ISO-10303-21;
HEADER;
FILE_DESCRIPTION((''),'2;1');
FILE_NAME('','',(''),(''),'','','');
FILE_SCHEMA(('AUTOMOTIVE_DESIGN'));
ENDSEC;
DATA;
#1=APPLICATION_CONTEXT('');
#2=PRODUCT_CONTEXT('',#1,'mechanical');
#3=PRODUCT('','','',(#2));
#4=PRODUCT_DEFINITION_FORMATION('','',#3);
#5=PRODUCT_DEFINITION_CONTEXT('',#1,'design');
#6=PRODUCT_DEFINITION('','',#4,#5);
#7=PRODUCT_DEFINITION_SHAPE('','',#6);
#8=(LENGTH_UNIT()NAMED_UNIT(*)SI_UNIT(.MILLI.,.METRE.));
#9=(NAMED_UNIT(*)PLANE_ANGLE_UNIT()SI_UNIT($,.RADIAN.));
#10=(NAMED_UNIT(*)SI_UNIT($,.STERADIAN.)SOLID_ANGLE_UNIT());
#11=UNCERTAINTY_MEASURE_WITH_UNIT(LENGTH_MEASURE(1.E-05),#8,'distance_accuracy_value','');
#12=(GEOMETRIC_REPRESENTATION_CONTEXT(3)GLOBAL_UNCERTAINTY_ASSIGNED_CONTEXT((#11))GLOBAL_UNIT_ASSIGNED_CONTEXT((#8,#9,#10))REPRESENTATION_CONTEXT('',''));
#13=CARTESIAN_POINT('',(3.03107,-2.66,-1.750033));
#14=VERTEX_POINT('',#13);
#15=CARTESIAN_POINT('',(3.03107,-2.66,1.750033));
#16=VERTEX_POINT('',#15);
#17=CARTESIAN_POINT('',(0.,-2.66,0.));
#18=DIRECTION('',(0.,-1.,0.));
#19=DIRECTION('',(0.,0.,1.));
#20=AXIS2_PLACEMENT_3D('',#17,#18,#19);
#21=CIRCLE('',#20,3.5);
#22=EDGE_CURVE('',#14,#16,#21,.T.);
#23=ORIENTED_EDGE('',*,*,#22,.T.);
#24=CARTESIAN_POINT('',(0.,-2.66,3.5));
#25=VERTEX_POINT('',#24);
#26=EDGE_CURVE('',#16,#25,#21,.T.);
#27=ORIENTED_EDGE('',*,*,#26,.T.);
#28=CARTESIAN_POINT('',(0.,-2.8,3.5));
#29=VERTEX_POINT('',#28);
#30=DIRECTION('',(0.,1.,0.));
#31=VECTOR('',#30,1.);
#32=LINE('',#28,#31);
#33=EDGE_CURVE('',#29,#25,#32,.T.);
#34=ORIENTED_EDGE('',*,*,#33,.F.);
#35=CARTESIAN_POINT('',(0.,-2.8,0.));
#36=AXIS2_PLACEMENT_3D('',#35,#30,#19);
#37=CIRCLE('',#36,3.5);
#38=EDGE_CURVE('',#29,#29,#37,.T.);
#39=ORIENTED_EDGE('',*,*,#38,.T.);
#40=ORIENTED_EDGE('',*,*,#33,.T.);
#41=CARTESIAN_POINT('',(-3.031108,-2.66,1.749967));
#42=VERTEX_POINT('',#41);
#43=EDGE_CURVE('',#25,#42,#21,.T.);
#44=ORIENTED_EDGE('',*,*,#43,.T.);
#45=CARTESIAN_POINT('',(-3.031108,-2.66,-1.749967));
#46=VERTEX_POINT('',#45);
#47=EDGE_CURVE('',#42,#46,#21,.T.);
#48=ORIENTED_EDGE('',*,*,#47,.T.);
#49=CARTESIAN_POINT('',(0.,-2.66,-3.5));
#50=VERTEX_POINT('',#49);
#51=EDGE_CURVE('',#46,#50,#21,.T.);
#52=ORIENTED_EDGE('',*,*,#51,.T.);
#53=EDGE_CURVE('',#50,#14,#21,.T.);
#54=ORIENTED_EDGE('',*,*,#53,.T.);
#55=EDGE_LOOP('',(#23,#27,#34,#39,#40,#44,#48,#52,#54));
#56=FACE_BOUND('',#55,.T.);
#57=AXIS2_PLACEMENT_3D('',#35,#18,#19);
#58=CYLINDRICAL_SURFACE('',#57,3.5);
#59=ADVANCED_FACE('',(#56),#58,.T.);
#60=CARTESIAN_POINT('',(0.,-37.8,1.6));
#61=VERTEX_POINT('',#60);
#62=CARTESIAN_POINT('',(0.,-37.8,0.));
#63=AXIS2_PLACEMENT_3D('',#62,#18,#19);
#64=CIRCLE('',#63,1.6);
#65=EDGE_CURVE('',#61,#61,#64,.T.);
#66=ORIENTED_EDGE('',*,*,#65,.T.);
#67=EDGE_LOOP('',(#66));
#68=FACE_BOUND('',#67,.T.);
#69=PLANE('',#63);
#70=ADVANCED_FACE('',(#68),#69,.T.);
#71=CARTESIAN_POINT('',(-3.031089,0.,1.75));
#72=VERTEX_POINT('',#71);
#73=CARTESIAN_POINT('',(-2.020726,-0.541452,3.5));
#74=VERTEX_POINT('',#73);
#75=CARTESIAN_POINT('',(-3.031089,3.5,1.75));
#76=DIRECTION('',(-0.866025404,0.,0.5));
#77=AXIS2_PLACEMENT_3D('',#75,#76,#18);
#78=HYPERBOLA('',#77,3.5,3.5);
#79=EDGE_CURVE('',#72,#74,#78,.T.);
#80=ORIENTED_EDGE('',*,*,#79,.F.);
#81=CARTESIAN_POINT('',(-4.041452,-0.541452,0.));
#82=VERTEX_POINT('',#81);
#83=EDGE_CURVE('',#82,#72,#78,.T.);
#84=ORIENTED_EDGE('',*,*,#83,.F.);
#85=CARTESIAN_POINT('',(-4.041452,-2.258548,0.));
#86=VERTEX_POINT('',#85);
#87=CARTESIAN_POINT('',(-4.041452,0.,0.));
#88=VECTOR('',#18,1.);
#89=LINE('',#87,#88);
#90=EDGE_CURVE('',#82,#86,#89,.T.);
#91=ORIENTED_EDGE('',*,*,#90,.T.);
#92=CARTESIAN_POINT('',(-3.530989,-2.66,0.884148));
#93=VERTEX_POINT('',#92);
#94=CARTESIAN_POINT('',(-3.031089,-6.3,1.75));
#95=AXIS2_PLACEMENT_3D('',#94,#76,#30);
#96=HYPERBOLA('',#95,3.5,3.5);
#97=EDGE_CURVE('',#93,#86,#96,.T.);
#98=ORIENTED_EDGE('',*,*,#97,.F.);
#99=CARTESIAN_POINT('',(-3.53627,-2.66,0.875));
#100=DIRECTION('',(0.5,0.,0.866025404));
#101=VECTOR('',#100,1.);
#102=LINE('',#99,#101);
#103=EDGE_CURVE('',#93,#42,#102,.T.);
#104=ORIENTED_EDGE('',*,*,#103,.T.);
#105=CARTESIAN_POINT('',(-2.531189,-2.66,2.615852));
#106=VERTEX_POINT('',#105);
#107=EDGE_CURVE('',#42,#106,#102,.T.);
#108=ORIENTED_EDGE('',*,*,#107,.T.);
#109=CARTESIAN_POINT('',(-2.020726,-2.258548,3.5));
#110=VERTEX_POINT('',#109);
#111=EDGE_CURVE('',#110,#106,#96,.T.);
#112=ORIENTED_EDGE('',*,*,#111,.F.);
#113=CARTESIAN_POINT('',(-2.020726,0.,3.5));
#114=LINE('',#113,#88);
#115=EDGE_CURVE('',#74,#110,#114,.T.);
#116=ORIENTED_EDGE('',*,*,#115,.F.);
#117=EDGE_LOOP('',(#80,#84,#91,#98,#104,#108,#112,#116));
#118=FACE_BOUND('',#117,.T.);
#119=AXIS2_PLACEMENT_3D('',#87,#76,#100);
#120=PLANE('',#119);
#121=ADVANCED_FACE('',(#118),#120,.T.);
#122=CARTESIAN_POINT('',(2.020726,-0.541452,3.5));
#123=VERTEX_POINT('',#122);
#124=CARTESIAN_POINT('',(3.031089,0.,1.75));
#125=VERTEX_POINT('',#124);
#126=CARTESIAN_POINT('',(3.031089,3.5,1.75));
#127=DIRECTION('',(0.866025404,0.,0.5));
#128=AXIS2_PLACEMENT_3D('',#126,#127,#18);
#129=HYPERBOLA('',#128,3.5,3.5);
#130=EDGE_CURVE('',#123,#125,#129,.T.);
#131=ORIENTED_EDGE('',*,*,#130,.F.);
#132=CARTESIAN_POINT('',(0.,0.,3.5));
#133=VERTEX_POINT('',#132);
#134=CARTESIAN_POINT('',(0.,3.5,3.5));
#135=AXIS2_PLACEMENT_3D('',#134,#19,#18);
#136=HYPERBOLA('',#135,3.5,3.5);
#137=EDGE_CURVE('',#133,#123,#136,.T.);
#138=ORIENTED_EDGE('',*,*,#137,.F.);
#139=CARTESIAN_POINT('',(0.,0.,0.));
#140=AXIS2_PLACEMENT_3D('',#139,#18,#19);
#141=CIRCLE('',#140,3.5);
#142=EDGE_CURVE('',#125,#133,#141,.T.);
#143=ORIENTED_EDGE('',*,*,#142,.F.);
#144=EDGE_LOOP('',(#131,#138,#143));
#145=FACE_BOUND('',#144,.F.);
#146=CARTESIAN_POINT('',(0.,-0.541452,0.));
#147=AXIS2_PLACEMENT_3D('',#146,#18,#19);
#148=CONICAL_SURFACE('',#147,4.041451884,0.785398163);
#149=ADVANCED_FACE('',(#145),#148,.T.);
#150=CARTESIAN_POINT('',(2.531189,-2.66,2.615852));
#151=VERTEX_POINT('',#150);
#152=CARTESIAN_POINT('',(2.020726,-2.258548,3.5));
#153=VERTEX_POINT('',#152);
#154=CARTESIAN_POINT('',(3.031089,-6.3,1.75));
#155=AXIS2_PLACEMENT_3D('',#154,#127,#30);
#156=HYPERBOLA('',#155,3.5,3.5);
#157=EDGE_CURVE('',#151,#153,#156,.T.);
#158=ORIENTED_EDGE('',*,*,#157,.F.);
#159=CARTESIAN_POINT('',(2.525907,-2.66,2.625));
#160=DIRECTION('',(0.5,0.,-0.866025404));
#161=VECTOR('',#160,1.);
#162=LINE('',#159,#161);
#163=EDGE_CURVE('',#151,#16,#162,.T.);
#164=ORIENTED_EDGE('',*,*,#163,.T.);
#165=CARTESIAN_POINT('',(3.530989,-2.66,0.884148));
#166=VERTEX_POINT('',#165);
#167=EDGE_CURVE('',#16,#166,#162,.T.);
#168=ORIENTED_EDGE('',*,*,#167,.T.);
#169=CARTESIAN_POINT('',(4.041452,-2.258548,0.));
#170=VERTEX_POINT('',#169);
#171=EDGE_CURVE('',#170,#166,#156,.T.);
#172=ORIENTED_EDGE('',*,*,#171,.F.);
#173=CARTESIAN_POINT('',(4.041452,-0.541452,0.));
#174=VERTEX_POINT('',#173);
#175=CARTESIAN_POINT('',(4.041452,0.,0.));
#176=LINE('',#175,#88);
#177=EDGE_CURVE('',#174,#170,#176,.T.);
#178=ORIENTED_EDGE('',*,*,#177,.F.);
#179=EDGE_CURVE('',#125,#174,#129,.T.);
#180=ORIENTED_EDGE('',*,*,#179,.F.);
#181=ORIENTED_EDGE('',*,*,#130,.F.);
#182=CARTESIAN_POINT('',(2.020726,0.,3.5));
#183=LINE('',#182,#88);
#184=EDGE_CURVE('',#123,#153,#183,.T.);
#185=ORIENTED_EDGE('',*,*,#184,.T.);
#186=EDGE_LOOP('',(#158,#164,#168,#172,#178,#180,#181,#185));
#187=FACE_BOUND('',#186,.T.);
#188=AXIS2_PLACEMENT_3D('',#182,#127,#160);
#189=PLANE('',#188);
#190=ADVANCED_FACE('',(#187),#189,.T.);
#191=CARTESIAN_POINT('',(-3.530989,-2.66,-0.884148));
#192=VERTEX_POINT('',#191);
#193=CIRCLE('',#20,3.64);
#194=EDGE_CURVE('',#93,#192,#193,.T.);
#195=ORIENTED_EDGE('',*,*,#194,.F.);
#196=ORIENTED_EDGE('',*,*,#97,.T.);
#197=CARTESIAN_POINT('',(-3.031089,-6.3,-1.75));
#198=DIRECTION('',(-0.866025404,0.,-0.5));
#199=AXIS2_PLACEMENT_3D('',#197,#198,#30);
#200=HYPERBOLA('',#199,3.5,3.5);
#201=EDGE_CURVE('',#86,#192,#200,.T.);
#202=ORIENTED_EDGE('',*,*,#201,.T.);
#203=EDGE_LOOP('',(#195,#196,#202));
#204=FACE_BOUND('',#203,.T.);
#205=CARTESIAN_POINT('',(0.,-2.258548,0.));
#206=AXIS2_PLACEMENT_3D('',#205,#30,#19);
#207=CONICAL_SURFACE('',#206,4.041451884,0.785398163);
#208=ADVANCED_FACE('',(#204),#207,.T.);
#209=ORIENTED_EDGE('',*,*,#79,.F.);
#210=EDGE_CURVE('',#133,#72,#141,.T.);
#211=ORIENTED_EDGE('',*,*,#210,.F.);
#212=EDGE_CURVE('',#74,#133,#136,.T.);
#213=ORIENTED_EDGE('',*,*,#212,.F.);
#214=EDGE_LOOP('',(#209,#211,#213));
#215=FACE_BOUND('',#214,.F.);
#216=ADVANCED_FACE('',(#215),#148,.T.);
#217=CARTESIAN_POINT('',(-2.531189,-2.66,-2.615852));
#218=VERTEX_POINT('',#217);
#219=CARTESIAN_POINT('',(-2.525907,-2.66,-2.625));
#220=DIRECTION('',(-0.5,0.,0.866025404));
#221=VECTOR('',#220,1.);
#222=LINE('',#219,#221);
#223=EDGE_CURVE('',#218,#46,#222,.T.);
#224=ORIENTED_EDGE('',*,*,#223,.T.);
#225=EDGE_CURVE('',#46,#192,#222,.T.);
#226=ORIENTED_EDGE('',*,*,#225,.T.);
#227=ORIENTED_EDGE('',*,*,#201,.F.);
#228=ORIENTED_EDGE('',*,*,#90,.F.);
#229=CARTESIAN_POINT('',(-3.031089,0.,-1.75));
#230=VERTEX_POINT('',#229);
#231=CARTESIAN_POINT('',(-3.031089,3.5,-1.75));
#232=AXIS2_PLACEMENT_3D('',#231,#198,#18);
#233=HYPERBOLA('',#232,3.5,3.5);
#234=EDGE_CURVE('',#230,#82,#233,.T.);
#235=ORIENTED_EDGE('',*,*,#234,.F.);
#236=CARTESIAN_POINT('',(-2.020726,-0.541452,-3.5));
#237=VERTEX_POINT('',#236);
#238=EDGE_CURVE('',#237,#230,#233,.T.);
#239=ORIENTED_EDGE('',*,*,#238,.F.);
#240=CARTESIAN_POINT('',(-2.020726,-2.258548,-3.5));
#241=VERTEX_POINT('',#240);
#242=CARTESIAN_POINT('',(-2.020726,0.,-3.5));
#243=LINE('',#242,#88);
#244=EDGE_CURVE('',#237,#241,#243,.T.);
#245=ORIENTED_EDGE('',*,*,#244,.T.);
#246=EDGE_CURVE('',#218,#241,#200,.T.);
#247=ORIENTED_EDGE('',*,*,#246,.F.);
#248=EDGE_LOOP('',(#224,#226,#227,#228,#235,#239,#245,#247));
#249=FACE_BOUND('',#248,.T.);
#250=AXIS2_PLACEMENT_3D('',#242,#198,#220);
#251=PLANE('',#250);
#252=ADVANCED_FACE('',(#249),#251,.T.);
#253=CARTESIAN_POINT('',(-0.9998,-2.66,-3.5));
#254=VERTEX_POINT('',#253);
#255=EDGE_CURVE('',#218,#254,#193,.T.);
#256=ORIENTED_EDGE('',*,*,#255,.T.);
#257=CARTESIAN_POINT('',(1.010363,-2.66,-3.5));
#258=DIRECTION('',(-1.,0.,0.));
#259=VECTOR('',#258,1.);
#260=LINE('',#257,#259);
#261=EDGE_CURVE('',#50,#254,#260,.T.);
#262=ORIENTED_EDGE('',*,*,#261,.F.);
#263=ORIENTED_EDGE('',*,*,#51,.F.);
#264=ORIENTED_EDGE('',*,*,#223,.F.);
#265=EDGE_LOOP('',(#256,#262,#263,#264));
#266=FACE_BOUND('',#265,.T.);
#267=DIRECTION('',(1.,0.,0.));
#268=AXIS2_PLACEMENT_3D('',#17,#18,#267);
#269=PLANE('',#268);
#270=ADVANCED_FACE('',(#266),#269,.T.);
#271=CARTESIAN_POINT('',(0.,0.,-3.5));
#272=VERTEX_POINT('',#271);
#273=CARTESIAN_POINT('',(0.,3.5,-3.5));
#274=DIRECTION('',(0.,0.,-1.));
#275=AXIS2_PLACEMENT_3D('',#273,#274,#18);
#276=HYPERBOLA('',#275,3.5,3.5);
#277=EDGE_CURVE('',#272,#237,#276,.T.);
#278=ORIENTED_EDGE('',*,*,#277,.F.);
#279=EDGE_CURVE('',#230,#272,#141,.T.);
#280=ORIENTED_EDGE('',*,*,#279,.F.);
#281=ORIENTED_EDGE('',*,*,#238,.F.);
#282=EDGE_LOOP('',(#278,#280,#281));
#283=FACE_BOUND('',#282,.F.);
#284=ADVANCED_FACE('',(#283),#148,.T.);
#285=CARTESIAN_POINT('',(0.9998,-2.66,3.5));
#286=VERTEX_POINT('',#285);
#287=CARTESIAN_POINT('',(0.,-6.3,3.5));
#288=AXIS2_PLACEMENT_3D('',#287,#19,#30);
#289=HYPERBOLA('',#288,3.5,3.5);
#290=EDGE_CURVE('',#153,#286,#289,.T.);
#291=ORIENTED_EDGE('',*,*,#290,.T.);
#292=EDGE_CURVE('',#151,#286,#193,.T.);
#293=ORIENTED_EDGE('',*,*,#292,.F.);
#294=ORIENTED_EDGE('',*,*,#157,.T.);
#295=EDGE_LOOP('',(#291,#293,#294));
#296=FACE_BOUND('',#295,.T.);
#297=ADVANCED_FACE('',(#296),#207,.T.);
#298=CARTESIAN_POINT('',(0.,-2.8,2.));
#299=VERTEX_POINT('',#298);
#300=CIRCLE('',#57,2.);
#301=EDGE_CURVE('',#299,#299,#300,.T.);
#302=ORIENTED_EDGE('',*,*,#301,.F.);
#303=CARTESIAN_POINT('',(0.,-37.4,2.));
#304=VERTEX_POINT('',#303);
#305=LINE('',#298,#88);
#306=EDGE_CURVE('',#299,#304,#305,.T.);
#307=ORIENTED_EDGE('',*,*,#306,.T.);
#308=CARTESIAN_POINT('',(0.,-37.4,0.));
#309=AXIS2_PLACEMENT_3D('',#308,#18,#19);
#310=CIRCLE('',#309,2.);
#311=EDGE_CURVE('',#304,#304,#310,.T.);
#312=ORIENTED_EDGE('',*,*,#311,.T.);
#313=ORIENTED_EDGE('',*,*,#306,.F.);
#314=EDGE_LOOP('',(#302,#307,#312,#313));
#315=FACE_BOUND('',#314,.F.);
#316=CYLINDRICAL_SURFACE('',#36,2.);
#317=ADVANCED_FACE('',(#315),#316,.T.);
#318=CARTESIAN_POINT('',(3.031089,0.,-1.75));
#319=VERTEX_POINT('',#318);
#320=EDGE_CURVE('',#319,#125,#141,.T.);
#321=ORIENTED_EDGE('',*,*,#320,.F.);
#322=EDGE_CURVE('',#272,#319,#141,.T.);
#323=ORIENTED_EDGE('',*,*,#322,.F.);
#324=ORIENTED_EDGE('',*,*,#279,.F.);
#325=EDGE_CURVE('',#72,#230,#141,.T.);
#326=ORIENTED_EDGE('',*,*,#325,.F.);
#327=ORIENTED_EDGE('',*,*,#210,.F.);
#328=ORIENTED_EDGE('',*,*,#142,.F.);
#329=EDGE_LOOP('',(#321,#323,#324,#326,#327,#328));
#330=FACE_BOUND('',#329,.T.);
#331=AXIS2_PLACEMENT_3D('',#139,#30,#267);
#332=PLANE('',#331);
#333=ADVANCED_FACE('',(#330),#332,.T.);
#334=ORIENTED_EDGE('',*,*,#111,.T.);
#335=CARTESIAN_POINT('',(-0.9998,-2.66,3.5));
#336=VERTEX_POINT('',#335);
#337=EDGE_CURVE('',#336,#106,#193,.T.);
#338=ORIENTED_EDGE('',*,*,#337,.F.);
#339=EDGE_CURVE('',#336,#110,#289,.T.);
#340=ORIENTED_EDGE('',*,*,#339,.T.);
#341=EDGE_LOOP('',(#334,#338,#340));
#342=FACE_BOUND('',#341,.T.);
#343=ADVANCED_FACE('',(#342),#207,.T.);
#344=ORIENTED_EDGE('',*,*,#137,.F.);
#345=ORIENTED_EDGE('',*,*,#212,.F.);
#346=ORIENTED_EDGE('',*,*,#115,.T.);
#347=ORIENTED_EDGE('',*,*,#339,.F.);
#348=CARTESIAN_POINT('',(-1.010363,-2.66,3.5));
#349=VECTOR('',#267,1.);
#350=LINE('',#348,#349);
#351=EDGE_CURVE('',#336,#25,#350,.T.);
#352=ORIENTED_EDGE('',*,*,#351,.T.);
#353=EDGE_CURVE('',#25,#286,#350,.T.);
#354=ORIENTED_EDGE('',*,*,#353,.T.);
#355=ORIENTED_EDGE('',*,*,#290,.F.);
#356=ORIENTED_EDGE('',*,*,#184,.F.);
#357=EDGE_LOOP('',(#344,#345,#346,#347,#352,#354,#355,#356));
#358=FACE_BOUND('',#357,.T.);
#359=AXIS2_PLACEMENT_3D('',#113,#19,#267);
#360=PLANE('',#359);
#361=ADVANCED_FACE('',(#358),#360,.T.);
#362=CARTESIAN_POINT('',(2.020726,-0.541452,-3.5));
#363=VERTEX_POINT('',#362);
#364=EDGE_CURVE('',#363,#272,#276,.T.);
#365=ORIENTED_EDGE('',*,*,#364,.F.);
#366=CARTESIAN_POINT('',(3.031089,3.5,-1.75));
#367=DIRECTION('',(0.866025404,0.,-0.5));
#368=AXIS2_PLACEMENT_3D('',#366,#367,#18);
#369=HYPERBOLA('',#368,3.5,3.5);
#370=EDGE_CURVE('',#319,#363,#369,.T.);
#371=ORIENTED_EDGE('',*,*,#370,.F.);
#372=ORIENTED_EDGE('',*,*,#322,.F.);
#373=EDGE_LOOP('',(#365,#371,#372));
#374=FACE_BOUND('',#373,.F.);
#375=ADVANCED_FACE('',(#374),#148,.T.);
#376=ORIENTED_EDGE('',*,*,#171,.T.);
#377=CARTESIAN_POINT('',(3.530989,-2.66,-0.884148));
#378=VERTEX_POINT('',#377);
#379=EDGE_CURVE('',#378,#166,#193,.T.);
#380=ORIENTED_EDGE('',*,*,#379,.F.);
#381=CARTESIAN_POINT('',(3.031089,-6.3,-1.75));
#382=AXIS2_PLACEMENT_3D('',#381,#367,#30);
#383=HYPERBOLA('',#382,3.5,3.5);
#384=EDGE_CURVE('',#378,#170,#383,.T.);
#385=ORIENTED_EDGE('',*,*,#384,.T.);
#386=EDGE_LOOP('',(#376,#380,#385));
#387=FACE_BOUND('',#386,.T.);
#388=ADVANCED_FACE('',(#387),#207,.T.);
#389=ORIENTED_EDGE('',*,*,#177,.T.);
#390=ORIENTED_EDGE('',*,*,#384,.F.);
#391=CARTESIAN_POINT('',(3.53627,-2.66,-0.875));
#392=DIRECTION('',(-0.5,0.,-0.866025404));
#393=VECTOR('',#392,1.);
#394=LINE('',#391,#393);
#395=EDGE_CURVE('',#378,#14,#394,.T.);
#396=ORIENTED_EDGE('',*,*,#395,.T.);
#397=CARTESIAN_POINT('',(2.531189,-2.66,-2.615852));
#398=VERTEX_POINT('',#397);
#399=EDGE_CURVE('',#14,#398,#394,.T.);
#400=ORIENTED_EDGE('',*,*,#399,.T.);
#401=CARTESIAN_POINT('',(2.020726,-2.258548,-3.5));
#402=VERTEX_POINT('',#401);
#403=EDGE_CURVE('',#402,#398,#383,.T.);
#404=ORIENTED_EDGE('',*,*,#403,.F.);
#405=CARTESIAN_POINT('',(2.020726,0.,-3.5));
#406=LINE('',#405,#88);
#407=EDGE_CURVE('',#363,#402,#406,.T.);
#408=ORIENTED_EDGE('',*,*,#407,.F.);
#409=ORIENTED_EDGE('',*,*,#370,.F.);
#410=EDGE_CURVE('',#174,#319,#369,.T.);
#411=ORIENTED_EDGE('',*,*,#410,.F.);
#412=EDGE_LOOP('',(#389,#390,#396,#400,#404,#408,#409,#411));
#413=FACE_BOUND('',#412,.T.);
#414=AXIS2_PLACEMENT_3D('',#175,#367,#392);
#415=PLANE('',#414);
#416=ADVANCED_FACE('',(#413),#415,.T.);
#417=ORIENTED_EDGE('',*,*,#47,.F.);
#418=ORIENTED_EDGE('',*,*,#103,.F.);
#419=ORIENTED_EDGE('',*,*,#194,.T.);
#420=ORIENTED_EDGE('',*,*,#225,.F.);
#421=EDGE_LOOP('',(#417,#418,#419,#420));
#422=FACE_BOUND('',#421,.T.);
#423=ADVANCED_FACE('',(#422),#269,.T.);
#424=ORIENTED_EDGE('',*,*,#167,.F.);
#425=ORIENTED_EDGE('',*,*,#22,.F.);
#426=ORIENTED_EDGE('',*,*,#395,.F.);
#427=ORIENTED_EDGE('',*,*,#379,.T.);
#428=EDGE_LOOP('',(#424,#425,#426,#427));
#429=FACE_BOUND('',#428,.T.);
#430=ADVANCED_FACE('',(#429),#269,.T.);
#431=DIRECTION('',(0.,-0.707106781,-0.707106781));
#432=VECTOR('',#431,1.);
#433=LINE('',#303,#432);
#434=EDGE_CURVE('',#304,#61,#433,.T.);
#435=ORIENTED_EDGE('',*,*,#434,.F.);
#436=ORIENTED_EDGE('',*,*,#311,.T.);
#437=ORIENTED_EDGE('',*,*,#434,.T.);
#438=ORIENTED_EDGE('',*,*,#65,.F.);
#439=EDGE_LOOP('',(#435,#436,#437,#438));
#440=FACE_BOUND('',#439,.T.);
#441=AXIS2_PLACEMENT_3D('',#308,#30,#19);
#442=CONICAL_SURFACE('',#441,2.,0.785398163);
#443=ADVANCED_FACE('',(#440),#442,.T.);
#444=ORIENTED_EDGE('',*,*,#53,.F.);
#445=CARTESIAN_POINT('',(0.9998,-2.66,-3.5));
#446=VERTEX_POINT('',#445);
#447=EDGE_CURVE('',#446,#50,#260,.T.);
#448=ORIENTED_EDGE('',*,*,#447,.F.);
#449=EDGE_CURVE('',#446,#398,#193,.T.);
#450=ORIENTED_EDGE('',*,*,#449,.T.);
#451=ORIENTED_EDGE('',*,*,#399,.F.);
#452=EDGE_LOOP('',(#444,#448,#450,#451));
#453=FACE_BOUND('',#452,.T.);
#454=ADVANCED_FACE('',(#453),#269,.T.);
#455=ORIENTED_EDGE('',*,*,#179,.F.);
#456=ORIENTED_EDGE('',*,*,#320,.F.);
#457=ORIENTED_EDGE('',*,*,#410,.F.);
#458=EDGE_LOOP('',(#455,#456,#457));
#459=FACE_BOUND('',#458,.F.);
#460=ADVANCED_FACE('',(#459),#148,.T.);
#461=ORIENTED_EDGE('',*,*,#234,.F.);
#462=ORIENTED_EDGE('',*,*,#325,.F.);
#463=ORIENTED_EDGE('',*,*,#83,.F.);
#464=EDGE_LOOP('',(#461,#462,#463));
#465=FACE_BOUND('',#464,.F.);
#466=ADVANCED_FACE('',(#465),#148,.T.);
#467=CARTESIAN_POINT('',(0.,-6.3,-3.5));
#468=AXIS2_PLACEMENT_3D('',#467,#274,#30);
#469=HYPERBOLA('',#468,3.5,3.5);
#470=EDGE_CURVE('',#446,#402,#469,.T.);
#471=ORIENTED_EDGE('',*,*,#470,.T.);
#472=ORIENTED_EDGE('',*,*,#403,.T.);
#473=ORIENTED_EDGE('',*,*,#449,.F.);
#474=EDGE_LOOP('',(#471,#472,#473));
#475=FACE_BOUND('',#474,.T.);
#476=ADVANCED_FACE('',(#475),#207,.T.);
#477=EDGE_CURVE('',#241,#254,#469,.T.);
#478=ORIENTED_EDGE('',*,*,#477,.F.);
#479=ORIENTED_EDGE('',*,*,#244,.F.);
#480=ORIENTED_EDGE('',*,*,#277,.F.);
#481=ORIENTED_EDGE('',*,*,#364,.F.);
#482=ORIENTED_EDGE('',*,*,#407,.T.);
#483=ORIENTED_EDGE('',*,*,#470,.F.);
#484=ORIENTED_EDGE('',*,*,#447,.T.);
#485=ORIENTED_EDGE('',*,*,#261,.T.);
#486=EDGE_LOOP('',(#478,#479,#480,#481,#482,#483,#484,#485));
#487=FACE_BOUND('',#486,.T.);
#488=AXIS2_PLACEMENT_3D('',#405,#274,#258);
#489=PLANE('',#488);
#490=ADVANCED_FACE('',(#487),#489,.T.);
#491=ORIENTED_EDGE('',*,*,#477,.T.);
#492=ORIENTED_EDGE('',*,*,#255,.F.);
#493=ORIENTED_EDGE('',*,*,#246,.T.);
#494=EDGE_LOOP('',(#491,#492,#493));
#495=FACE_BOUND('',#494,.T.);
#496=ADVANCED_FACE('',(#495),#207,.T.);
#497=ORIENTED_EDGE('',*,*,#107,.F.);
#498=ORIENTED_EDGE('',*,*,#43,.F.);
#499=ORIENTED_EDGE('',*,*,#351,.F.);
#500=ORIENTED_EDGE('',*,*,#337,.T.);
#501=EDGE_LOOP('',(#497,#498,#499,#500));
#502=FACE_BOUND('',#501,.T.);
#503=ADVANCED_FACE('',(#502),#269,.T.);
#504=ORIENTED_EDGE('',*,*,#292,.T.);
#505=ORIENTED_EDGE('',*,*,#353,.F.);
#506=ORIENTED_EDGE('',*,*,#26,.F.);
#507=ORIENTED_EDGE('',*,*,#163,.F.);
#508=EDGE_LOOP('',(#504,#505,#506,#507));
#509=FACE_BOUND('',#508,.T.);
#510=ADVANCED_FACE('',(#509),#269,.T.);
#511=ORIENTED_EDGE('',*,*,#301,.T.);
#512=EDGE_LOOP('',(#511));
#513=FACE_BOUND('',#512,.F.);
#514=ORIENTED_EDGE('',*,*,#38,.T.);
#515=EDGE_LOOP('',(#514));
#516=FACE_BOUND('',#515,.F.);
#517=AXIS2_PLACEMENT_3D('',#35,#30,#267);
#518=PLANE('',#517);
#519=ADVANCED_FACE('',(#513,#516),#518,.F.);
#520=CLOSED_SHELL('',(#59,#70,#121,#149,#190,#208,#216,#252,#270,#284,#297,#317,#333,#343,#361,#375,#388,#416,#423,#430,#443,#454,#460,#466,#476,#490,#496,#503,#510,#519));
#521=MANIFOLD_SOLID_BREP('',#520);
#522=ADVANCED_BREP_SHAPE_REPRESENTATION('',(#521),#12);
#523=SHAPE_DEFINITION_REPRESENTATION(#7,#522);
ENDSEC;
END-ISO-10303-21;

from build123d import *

# Parameters (mm, degrees)
BOSS_EXTRUDE1_DEPTH = 2.8
SKETCH2_OUTSIDE_W   = 12.292
SKETCH2_OUTSIDE_H   = 11.21
SKETCH2_OUTSIDE_R   = 3.5
CUT_EXTRUDE1_DEPTH  = 0.14
SKETCH3_R           = 2
BOSS_EXTRUDE2_DEPTH = 35
CHAMFER1_SIZE       = 0.4


with BuildPart() as part:
    # Sketch1 → Boss-Extrude1 (new body)
    with BuildSketch(Plane(origin=(0, 0, 0), x_dir=(1, 0, 0), z_dir=(0, 1, 0))):
        Polygon((4.041451884, 0), (2.020725942, 3.5), (-2.020725942, 3.5), (-4.041451884, 0), (-2.020725942, -3.5), (2.020725942, -3.5), align=None)
    extrude(amount=-BOSS_EXTRUDE1_DEPTH)

    # Sketch4 → Cut-Revolve1 (revolve, cut)
    with BuildSketch(Plane(origin=(0, 0, 0), x_dir=(0, 0, -1), z_dir=(1, 0, 0))):
        Polygon((-3.5, 0), (-4.041451884, 0), (-4.041451884, -0.541451884), align=None)
        Polygon((-4.041451884, -2.258548116), (-3.5, -2.8), (-4.041451884, -2.8), align=None)
    revolve(axis=Axis((0, 0, 0), (0, -1, 0)), mode=Mode.SUBTRACT)

    # Sketch2 outside → Cut-Extrude1 (cut)
    with BuildSketch(Plane.XZ.offset(2.8)):
        Rectangle(SKETCH2_OUTSIDE_W, SKETCH2_OUTSIDE_H)
        with Locations(Location((0, 0, 0), (0, 0, 90))):
            Circle(SKETCH2_OUTSIDE_R, mode=Mode.SUBTRACT)
    extrude(amount=-CUT_EXTRUDE1_DEPTH, mode=Mode.SUBTRACT)

    # Sketch3 → Boss-Extrude2 (add)
    with BuildSketch(Plane.XZ.offset(2.8)):
        with Locations(Location((0, 0, 0), (0, 0, 90))):
            Circle(SKETCH3_R)
    extrude(amount=BOSS_EXTRUDE2_DEPTH)

    # Chamfer1
    chamfer1_edges = [part.edges().sort_by_distance(p)[0] for p in [
        (0, -37.8, -2),
    ]]
    chamfer(chamfer1_edges, length=CHAMFER1_SIZE)


solid = part.part
